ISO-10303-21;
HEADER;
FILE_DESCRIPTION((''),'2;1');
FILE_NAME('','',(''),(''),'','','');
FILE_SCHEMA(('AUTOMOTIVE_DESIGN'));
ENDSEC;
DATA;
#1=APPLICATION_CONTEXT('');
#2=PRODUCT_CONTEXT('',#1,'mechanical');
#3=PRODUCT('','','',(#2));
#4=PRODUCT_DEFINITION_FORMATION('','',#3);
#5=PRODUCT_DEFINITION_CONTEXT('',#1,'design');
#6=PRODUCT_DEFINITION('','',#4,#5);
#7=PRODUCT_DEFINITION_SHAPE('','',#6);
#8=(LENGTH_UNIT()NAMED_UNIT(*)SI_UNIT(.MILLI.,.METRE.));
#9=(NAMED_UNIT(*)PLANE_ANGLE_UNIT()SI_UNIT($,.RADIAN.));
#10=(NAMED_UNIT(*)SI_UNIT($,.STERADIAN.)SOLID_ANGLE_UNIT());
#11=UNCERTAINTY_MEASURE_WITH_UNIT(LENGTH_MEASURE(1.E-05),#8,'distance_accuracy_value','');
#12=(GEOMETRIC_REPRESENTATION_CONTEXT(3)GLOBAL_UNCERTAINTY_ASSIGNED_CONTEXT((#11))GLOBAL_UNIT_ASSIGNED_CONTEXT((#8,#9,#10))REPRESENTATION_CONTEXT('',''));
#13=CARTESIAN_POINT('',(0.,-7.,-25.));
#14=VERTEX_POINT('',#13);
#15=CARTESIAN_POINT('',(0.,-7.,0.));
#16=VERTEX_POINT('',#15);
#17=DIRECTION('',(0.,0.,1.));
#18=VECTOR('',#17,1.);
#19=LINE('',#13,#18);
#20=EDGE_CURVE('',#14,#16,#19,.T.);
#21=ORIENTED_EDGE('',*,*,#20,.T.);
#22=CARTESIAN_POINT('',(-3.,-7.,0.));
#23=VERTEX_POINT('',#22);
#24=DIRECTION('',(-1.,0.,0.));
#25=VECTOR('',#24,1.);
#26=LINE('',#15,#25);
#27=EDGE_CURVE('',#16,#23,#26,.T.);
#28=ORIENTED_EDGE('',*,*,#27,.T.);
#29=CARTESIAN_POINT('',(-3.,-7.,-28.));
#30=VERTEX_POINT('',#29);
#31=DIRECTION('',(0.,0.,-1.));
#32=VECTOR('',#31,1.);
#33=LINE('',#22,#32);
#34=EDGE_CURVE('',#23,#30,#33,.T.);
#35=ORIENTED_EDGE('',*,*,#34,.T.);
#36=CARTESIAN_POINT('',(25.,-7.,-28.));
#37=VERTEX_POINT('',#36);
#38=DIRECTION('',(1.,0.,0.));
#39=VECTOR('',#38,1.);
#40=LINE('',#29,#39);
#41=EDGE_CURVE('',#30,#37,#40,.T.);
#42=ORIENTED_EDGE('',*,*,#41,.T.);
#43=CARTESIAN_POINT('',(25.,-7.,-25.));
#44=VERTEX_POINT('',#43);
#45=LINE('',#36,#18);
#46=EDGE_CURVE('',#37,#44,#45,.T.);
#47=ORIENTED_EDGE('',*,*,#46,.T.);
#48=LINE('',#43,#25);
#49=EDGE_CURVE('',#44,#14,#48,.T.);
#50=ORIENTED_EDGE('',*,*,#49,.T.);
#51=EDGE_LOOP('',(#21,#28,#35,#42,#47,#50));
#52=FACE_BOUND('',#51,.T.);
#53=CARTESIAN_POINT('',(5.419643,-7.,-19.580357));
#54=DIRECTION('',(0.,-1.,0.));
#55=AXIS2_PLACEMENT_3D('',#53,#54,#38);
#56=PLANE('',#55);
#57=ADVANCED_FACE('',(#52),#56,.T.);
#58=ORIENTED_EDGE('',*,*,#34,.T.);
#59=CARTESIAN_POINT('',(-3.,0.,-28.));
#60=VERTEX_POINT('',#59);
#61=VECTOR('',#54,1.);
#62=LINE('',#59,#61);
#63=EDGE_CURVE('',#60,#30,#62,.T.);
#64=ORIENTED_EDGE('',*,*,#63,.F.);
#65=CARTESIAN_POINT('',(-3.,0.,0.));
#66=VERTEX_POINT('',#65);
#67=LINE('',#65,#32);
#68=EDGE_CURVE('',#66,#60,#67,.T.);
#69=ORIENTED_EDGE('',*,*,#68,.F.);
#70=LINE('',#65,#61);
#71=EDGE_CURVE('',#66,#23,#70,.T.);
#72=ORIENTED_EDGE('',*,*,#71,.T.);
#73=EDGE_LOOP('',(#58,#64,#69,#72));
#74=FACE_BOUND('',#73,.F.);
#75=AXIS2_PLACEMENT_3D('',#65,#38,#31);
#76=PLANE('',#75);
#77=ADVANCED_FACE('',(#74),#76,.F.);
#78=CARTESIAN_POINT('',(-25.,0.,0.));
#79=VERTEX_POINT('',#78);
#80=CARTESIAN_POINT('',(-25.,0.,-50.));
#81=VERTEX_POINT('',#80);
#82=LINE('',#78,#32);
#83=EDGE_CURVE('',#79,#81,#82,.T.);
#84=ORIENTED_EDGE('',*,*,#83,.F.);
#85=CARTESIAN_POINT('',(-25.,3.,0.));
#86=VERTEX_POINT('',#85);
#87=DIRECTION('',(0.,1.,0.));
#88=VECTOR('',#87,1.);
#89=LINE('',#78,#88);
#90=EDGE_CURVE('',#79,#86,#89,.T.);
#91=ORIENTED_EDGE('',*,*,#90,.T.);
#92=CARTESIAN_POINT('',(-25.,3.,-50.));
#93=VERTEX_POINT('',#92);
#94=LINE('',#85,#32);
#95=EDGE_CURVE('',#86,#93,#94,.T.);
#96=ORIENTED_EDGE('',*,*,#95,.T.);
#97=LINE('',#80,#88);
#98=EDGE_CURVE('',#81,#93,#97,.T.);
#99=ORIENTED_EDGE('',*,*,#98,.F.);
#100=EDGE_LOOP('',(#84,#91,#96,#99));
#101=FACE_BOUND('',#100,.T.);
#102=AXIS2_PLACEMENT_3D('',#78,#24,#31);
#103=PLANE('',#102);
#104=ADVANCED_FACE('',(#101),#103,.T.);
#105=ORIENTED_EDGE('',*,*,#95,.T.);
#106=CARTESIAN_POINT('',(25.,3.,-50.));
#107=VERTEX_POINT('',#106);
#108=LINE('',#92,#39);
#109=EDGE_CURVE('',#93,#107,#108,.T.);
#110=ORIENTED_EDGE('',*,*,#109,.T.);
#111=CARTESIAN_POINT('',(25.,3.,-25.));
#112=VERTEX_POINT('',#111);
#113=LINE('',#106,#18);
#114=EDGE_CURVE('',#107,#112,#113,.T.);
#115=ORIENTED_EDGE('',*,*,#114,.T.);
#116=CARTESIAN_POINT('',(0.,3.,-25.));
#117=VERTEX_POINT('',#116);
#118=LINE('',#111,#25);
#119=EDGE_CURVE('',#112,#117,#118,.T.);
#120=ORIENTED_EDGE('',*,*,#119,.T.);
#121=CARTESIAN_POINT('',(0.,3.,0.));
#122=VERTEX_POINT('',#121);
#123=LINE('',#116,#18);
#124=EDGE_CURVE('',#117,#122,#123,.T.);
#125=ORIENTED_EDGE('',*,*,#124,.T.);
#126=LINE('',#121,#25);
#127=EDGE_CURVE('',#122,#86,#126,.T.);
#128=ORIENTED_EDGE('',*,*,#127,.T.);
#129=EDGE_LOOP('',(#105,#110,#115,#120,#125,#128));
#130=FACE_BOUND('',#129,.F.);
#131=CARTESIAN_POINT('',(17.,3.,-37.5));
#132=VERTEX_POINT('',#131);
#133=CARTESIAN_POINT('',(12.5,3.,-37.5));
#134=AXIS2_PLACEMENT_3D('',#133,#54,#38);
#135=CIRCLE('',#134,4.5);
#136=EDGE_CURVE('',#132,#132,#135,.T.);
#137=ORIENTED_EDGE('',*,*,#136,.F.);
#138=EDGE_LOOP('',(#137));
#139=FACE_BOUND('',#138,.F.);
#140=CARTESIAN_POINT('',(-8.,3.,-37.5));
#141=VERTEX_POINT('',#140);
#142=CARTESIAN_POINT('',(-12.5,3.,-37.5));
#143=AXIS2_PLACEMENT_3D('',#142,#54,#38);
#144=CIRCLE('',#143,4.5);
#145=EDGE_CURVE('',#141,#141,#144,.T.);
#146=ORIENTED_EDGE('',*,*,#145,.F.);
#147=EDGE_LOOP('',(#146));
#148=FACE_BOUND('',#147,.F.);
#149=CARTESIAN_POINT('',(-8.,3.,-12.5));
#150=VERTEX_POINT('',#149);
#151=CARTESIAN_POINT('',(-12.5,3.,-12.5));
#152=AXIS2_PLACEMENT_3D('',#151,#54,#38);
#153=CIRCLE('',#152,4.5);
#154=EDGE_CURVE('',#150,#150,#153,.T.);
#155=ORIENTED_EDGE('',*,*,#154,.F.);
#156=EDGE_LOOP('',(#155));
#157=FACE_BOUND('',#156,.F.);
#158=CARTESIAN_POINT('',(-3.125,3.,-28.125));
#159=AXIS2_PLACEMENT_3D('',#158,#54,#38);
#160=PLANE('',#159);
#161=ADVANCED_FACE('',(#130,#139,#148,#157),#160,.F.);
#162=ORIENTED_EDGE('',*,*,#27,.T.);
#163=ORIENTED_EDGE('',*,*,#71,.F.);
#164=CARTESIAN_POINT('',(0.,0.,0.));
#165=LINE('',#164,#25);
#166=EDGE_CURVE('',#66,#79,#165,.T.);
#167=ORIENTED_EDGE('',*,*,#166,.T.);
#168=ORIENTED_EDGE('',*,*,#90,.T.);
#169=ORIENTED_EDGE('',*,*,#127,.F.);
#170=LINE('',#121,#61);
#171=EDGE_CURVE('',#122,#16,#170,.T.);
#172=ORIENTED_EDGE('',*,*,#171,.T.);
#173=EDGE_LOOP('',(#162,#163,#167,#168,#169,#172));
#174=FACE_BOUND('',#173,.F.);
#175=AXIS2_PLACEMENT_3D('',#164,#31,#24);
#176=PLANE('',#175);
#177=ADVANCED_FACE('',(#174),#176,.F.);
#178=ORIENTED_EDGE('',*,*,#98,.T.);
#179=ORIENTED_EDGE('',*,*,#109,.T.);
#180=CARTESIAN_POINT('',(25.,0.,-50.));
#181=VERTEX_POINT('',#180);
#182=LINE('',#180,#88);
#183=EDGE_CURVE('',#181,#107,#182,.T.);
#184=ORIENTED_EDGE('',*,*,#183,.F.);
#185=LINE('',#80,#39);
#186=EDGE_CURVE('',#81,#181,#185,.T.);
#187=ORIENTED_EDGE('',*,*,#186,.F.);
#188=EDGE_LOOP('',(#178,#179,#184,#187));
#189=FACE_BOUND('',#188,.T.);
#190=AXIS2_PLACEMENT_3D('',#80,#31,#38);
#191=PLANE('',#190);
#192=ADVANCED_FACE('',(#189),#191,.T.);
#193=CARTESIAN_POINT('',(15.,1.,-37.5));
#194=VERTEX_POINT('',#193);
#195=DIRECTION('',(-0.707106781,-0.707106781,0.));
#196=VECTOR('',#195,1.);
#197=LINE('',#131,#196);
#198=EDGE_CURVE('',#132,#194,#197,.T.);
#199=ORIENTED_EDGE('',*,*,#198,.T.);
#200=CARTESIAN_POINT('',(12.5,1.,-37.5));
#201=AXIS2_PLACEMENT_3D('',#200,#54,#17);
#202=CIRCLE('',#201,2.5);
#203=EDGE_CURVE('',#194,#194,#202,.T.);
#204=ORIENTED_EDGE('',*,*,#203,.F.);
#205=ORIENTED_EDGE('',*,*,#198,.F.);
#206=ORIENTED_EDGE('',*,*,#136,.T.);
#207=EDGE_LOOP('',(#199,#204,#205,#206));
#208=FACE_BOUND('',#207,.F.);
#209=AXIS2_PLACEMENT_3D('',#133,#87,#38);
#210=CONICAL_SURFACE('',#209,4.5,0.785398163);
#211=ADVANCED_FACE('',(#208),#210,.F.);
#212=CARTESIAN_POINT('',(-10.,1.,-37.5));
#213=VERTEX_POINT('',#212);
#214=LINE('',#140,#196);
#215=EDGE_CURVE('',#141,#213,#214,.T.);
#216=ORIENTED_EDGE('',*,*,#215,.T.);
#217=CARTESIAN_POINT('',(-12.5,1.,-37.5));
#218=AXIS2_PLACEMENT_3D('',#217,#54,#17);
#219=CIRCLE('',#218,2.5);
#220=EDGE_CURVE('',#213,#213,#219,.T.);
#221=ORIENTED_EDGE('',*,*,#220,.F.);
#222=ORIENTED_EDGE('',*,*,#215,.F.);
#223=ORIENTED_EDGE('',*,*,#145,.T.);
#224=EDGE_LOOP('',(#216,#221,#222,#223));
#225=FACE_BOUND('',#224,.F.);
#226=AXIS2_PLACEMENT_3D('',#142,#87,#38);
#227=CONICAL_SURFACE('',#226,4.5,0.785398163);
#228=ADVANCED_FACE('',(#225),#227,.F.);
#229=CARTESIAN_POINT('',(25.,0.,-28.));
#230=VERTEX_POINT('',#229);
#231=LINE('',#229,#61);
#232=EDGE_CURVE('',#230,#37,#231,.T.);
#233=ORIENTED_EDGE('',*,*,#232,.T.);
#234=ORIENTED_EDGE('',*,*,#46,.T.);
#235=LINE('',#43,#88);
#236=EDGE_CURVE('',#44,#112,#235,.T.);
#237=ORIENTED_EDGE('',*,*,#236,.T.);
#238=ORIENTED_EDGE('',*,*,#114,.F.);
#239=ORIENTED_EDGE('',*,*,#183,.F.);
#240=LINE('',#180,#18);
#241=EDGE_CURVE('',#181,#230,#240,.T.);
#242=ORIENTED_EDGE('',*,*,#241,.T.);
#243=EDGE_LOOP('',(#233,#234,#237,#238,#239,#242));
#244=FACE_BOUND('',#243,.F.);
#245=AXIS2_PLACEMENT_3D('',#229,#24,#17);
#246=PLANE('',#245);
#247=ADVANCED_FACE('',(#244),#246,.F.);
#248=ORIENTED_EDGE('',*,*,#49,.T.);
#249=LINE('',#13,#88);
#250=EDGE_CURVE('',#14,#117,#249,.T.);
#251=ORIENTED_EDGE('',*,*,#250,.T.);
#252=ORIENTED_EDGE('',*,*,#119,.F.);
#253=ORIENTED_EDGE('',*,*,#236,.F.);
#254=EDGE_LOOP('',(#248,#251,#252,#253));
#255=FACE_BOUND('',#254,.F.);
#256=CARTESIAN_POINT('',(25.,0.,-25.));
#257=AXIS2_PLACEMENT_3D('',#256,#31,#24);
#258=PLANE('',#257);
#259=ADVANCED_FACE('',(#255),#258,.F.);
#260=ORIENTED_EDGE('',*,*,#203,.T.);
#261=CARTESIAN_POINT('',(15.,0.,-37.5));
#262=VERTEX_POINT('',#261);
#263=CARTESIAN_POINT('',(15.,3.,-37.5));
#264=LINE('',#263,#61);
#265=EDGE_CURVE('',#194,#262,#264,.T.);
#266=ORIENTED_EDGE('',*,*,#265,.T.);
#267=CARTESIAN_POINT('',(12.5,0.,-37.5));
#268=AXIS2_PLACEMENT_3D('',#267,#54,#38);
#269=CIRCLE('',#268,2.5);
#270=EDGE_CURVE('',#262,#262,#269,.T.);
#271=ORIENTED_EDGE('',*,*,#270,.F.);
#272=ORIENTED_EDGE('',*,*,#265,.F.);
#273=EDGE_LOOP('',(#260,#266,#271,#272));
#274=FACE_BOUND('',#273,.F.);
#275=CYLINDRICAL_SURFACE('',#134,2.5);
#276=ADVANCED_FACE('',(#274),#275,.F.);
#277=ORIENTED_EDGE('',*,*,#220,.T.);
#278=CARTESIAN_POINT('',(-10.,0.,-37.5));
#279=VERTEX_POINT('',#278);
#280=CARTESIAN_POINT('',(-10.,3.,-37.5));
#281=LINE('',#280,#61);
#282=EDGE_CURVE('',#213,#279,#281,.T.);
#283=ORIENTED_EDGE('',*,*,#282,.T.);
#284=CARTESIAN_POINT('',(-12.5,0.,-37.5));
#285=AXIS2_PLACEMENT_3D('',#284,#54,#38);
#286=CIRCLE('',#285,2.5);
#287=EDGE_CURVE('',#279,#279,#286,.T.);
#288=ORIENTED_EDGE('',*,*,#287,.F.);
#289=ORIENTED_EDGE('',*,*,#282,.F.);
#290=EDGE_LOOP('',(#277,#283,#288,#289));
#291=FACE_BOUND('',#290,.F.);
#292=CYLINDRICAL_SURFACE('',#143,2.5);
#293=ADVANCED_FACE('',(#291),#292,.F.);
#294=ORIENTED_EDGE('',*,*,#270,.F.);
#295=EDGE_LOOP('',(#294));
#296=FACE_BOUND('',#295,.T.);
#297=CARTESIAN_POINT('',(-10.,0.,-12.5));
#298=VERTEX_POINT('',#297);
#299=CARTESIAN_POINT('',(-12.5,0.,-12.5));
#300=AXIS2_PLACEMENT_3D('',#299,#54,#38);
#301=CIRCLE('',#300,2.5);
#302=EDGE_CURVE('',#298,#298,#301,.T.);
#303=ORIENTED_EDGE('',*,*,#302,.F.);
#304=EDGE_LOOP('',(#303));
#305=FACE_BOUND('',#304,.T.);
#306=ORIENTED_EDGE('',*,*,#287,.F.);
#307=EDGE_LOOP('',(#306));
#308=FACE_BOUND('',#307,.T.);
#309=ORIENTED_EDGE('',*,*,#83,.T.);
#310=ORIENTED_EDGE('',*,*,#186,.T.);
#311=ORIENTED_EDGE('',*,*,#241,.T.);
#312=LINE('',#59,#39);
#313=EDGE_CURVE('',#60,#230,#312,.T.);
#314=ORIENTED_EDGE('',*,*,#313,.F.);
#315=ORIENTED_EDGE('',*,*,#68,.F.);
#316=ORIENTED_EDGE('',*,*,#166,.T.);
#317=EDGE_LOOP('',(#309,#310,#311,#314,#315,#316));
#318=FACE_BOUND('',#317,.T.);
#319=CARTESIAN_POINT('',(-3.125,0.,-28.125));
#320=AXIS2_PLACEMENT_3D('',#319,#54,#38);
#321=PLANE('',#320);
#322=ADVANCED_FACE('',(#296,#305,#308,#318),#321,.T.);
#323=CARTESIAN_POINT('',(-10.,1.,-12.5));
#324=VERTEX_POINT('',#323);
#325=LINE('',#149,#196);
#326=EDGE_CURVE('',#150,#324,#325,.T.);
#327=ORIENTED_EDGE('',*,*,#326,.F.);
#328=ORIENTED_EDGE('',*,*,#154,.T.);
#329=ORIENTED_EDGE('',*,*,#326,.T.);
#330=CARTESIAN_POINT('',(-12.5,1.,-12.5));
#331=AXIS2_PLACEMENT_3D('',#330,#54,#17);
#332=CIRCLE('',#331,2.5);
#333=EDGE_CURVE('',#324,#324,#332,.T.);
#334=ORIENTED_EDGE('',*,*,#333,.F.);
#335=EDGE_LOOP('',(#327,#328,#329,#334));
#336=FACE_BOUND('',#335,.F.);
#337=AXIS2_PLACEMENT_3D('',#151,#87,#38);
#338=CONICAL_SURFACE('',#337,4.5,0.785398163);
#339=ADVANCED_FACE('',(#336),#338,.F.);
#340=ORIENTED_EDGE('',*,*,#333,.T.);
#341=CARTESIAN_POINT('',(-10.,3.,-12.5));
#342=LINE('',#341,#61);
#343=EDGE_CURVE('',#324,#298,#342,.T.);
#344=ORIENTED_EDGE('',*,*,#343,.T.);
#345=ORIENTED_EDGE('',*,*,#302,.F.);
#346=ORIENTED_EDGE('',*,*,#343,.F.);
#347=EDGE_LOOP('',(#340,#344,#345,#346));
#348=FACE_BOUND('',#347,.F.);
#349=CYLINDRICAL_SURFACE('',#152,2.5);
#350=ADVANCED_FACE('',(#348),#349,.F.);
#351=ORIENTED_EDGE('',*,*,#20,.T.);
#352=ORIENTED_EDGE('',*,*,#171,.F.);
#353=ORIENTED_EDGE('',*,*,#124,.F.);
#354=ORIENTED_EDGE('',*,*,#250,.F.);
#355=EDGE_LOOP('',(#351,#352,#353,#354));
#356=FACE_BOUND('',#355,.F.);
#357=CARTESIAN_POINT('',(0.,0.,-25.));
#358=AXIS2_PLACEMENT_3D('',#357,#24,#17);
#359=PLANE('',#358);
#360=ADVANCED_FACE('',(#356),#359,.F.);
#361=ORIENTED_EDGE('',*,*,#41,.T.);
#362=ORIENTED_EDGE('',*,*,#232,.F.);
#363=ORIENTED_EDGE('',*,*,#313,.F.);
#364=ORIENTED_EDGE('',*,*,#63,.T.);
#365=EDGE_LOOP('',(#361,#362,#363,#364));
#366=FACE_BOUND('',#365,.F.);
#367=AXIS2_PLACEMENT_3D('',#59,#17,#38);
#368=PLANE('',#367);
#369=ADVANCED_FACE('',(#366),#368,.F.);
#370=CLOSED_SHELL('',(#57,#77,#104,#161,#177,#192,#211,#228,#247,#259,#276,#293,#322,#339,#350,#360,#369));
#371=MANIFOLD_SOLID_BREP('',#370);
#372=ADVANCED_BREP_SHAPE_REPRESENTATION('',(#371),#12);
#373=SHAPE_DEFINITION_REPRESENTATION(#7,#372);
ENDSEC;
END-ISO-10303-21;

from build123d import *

# Parameters (mm, degrees)
F1_DEPTH       = 3
F3_DEPTH       = 7
F5_D           = 5
F5_CSINK_D     = 9
F5_CSINK_ANGLE = 90


with BuildPart() as f1:
    # F0 (on Front) → F1 (new body)
    with BuildSketch(Plane.XZ):
        Polygon((0, -25), (0, 0), (-25, 0), (-25, -50), (25, -50), (25, -25), align=None)
    extrude(amount=-F1_DEPTH)

    # F2 (on face) → F3 (join)
    with BuildSketch(Plane.XZ):
        Polygon((0, -25), (0, 0), (-3, 0), (-3, -28), (25, -28), (25, -25), align=None)
    extrude(amount=F3_DEPTH)

    # F5 (through all)
    with Locations(Plane(origin=(0, 3, 0), x_dir=(-1, 0, 0), z_dir=(0, 1, 0))):
        with Locations((12.5, -12.5), (12.5, -37.5), (-12.5, -37.5)):
            CounterSinkHole(F5_D / 2, F5_CSINK_D / 2, counter_sink_angle=F5_CSINK_ANGLE)


solid = f1.part
